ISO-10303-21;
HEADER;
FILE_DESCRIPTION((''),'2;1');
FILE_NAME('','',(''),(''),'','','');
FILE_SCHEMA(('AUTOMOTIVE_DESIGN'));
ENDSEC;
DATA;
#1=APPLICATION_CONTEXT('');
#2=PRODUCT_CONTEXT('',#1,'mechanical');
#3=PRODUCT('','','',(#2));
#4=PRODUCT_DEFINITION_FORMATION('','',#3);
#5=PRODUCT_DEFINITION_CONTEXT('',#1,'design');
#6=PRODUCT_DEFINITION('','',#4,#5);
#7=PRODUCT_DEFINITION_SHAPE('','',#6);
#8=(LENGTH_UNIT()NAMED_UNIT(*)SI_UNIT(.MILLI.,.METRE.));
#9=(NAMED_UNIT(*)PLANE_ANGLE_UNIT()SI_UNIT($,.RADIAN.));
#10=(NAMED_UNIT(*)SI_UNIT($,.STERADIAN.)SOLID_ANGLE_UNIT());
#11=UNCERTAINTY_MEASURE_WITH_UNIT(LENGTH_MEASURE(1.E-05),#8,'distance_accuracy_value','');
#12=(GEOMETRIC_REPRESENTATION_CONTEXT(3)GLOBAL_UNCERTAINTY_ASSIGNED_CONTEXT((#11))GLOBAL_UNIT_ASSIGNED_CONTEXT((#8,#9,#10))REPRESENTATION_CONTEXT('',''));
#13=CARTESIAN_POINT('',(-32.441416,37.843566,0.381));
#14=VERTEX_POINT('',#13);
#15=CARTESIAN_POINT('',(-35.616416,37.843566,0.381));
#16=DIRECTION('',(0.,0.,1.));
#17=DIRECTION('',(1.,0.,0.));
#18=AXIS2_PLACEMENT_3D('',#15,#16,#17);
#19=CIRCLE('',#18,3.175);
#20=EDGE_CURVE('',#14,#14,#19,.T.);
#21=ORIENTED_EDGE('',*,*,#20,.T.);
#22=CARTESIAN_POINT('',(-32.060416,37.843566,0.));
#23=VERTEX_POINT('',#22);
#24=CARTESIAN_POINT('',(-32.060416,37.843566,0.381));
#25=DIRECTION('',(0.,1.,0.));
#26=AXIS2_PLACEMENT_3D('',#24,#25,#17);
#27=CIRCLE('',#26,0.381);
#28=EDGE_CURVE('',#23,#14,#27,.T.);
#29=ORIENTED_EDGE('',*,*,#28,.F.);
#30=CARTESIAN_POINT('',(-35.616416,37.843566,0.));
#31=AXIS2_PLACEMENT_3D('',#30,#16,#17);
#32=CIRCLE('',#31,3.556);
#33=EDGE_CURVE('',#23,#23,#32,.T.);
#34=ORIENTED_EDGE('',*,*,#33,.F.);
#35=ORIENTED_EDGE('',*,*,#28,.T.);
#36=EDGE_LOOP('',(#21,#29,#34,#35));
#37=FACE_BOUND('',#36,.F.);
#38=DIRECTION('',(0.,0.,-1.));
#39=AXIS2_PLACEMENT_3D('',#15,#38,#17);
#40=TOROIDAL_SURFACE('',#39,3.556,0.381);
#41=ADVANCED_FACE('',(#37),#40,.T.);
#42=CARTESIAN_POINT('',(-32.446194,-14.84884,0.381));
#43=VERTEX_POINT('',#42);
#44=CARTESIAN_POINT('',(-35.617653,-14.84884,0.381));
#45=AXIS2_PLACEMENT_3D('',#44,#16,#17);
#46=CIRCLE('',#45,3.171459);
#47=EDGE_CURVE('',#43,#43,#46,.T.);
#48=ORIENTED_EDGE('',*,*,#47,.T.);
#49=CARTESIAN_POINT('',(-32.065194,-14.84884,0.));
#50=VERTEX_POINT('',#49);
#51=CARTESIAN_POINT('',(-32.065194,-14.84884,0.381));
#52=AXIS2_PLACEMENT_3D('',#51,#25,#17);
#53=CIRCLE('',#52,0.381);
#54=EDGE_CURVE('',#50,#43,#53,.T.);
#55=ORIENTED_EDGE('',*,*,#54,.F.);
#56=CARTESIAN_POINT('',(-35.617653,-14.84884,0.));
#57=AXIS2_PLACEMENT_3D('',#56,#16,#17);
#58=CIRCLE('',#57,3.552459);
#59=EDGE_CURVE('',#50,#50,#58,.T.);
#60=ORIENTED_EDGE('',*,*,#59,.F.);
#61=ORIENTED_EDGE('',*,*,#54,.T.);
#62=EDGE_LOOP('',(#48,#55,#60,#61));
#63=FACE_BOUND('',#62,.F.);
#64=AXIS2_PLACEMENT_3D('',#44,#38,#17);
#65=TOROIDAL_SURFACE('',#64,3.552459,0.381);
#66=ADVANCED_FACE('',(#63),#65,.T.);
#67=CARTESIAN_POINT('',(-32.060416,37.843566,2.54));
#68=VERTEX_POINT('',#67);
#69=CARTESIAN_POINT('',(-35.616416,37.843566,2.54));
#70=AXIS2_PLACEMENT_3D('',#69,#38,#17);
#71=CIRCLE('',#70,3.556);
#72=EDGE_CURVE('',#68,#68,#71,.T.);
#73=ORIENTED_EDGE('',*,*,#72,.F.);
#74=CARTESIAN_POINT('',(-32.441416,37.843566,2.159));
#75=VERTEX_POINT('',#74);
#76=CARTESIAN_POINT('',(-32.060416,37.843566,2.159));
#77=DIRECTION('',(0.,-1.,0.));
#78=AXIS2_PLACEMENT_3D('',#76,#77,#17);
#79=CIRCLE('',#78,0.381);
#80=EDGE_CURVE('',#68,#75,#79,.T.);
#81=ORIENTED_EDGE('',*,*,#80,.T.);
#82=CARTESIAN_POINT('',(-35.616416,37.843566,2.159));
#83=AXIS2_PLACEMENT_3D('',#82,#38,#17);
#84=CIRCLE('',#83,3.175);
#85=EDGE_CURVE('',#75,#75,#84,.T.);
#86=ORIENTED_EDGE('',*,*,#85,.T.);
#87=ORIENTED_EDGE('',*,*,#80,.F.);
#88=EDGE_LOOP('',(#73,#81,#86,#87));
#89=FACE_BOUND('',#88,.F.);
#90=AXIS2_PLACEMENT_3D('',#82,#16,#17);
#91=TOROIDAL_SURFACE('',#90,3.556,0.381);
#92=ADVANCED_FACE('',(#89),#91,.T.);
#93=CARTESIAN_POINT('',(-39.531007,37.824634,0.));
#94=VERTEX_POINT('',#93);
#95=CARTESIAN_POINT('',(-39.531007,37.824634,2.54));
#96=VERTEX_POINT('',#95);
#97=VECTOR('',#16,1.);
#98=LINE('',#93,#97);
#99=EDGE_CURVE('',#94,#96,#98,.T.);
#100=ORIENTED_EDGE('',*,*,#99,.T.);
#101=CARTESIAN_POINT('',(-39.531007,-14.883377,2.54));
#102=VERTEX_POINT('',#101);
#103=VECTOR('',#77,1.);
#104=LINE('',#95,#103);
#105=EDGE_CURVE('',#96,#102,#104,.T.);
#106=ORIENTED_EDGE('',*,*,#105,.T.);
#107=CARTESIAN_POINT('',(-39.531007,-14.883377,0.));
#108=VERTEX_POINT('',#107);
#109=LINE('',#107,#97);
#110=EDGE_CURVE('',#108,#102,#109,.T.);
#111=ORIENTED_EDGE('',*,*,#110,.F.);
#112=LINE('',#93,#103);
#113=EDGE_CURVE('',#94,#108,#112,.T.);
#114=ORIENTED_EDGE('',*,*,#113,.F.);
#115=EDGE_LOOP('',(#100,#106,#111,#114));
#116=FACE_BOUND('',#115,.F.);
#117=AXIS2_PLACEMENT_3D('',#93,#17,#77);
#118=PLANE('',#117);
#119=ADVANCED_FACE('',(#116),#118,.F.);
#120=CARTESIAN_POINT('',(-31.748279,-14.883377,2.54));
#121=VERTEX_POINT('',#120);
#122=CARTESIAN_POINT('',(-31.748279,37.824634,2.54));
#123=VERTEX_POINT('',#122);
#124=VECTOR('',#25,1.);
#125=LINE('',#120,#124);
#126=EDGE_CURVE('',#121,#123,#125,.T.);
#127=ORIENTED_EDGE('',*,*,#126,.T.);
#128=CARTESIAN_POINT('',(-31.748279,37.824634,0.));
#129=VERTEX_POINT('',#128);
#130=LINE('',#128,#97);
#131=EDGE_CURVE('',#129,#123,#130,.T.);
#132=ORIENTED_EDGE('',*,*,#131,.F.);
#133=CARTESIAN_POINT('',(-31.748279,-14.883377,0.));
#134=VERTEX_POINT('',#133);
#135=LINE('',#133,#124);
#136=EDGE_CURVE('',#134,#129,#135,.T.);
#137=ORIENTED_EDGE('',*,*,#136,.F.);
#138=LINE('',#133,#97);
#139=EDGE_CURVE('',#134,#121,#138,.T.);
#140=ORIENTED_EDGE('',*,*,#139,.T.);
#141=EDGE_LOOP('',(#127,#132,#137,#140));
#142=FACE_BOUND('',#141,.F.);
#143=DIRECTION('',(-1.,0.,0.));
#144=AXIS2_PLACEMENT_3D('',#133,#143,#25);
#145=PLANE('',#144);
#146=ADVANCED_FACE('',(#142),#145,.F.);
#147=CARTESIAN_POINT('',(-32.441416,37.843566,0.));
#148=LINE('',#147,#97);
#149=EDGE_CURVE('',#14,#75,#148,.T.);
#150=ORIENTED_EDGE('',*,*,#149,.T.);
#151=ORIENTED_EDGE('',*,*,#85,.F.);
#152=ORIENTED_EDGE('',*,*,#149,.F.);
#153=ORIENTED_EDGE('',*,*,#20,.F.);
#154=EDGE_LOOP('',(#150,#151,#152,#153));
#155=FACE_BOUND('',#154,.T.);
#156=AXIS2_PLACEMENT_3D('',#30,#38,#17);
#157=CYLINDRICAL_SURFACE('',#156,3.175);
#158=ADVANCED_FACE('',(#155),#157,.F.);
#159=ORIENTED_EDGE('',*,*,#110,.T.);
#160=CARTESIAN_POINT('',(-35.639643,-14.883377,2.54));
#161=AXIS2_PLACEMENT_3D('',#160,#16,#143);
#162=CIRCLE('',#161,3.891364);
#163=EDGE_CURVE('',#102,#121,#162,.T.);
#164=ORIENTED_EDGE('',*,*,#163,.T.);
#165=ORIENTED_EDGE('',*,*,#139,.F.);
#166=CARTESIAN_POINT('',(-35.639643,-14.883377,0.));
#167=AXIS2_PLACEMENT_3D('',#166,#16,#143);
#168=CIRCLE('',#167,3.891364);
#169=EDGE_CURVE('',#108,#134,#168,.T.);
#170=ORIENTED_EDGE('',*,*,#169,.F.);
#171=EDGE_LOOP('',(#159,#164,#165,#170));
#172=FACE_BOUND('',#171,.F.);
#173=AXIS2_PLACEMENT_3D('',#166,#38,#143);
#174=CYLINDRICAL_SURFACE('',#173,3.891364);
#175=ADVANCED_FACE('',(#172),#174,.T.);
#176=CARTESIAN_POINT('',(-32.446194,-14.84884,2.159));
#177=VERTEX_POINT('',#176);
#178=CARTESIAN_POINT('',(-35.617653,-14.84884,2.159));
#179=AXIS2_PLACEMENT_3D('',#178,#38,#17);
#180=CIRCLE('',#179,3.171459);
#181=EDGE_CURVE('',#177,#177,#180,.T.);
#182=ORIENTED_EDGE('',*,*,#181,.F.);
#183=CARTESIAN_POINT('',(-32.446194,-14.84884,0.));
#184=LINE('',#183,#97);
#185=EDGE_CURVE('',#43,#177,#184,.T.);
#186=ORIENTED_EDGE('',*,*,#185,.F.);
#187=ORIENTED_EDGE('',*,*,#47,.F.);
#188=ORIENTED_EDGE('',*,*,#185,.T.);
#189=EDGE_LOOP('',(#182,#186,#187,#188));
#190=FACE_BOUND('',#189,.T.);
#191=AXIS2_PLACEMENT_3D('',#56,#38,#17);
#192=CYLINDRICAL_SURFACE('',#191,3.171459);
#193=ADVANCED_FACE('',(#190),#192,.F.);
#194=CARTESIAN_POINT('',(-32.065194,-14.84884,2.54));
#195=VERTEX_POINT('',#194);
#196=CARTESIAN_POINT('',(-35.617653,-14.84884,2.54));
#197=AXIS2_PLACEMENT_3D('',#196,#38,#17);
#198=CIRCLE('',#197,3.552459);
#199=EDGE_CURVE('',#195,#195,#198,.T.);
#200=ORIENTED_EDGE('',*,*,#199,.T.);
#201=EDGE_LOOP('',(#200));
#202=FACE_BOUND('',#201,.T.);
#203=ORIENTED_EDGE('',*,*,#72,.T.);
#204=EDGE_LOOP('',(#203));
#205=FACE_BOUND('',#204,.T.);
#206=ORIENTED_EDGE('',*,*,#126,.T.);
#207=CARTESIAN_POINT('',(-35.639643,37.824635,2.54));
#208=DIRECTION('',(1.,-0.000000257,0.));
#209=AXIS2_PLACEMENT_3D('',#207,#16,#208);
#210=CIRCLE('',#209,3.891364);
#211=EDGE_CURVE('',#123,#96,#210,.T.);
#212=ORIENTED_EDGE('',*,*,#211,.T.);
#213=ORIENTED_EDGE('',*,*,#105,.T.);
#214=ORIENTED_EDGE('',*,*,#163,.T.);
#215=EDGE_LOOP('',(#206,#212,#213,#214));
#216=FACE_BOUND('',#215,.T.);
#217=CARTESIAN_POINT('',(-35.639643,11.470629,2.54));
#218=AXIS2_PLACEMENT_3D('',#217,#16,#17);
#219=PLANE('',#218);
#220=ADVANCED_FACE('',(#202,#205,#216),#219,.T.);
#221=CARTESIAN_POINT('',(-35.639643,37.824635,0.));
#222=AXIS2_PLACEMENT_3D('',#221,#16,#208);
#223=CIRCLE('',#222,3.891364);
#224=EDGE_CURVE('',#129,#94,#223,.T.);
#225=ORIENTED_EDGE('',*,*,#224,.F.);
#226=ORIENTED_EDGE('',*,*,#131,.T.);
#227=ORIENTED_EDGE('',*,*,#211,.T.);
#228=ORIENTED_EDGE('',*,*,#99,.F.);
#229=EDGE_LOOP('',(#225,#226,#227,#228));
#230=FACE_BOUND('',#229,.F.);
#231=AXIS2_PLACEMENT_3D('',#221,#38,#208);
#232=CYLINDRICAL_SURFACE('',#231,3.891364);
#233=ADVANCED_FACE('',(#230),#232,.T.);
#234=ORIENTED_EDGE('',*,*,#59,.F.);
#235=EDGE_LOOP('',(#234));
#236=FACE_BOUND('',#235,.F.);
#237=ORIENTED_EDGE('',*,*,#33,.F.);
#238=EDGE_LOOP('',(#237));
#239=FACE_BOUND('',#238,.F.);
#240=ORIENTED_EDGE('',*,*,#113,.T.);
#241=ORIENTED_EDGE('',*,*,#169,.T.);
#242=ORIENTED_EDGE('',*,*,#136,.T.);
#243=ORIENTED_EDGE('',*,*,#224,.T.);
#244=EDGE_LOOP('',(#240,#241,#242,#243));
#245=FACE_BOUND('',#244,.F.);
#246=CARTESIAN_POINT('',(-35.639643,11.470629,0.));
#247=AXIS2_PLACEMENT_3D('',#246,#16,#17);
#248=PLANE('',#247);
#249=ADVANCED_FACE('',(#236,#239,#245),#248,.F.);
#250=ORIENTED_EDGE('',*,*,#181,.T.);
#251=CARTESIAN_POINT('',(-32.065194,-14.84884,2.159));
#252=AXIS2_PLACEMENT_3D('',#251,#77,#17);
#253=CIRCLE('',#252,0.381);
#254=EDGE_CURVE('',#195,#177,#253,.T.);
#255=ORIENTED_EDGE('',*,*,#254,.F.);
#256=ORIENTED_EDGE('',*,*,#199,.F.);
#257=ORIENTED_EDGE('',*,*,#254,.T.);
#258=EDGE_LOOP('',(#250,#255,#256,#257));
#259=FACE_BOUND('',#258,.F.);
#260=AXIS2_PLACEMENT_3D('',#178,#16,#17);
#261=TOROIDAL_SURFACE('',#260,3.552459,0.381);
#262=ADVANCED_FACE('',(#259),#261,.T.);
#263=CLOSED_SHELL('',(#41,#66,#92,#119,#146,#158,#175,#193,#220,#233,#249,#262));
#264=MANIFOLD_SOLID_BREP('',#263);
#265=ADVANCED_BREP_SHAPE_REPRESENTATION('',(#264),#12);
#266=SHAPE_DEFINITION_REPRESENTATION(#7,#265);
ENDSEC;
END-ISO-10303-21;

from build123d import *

# Parameters (mm, degrees)
F1_DEPTH = 2.54
F2_R     = 3.175
F2_R_2   = 3.171459
F3_DEPTH = 3.81
F4_R     = 0.381


with BuildPart() as f1:
    # F0 (on Top) → F1 (new body)
    with BuildSketch(Plane.XY):
        with BuildLine():
            ThreePointArc((-31.748279, 37.824634), (-35.639643, 41.715999), (-39.531007, 37.824634))
            Line((-39.531007, 37.824634), (-39.531007, -14.883377))
            ThreePointArc((-39.531007, -14.883377), (-35.639643, -18.774741), (-31.748279, -14.883377))
            Line((-31.748279, -14.883377), (-31.748279, 37.824634))
        make_face()
    extrude(amount=F1_DEPTH)

    # F2 (on Top) → F3 (cut)
    with BuildSketch(Plane.XY):
        with Locations((-35.616416, 37.843566)):
            Circle(F2_R)
        with Locations((-35.617653, -14.84884)):
            Circle(F2_R_2)
    extrude(amount=F3_DEPTH, mode=Mode.SUBTRACT)

    # F4
    f4_edges = [f1.edges().sort_by_distance(p)[0] for p in [
        (-38.791416, 37.843566, 2.54),
        (-38.791416, 37.843566, 0),
        (-38.789113, -14.84884, 2.54),
        (-38.789113, -14.84884, 0),
    ]]
    fillet(f4_edges, radius=F4_R)


solid = f1.part
